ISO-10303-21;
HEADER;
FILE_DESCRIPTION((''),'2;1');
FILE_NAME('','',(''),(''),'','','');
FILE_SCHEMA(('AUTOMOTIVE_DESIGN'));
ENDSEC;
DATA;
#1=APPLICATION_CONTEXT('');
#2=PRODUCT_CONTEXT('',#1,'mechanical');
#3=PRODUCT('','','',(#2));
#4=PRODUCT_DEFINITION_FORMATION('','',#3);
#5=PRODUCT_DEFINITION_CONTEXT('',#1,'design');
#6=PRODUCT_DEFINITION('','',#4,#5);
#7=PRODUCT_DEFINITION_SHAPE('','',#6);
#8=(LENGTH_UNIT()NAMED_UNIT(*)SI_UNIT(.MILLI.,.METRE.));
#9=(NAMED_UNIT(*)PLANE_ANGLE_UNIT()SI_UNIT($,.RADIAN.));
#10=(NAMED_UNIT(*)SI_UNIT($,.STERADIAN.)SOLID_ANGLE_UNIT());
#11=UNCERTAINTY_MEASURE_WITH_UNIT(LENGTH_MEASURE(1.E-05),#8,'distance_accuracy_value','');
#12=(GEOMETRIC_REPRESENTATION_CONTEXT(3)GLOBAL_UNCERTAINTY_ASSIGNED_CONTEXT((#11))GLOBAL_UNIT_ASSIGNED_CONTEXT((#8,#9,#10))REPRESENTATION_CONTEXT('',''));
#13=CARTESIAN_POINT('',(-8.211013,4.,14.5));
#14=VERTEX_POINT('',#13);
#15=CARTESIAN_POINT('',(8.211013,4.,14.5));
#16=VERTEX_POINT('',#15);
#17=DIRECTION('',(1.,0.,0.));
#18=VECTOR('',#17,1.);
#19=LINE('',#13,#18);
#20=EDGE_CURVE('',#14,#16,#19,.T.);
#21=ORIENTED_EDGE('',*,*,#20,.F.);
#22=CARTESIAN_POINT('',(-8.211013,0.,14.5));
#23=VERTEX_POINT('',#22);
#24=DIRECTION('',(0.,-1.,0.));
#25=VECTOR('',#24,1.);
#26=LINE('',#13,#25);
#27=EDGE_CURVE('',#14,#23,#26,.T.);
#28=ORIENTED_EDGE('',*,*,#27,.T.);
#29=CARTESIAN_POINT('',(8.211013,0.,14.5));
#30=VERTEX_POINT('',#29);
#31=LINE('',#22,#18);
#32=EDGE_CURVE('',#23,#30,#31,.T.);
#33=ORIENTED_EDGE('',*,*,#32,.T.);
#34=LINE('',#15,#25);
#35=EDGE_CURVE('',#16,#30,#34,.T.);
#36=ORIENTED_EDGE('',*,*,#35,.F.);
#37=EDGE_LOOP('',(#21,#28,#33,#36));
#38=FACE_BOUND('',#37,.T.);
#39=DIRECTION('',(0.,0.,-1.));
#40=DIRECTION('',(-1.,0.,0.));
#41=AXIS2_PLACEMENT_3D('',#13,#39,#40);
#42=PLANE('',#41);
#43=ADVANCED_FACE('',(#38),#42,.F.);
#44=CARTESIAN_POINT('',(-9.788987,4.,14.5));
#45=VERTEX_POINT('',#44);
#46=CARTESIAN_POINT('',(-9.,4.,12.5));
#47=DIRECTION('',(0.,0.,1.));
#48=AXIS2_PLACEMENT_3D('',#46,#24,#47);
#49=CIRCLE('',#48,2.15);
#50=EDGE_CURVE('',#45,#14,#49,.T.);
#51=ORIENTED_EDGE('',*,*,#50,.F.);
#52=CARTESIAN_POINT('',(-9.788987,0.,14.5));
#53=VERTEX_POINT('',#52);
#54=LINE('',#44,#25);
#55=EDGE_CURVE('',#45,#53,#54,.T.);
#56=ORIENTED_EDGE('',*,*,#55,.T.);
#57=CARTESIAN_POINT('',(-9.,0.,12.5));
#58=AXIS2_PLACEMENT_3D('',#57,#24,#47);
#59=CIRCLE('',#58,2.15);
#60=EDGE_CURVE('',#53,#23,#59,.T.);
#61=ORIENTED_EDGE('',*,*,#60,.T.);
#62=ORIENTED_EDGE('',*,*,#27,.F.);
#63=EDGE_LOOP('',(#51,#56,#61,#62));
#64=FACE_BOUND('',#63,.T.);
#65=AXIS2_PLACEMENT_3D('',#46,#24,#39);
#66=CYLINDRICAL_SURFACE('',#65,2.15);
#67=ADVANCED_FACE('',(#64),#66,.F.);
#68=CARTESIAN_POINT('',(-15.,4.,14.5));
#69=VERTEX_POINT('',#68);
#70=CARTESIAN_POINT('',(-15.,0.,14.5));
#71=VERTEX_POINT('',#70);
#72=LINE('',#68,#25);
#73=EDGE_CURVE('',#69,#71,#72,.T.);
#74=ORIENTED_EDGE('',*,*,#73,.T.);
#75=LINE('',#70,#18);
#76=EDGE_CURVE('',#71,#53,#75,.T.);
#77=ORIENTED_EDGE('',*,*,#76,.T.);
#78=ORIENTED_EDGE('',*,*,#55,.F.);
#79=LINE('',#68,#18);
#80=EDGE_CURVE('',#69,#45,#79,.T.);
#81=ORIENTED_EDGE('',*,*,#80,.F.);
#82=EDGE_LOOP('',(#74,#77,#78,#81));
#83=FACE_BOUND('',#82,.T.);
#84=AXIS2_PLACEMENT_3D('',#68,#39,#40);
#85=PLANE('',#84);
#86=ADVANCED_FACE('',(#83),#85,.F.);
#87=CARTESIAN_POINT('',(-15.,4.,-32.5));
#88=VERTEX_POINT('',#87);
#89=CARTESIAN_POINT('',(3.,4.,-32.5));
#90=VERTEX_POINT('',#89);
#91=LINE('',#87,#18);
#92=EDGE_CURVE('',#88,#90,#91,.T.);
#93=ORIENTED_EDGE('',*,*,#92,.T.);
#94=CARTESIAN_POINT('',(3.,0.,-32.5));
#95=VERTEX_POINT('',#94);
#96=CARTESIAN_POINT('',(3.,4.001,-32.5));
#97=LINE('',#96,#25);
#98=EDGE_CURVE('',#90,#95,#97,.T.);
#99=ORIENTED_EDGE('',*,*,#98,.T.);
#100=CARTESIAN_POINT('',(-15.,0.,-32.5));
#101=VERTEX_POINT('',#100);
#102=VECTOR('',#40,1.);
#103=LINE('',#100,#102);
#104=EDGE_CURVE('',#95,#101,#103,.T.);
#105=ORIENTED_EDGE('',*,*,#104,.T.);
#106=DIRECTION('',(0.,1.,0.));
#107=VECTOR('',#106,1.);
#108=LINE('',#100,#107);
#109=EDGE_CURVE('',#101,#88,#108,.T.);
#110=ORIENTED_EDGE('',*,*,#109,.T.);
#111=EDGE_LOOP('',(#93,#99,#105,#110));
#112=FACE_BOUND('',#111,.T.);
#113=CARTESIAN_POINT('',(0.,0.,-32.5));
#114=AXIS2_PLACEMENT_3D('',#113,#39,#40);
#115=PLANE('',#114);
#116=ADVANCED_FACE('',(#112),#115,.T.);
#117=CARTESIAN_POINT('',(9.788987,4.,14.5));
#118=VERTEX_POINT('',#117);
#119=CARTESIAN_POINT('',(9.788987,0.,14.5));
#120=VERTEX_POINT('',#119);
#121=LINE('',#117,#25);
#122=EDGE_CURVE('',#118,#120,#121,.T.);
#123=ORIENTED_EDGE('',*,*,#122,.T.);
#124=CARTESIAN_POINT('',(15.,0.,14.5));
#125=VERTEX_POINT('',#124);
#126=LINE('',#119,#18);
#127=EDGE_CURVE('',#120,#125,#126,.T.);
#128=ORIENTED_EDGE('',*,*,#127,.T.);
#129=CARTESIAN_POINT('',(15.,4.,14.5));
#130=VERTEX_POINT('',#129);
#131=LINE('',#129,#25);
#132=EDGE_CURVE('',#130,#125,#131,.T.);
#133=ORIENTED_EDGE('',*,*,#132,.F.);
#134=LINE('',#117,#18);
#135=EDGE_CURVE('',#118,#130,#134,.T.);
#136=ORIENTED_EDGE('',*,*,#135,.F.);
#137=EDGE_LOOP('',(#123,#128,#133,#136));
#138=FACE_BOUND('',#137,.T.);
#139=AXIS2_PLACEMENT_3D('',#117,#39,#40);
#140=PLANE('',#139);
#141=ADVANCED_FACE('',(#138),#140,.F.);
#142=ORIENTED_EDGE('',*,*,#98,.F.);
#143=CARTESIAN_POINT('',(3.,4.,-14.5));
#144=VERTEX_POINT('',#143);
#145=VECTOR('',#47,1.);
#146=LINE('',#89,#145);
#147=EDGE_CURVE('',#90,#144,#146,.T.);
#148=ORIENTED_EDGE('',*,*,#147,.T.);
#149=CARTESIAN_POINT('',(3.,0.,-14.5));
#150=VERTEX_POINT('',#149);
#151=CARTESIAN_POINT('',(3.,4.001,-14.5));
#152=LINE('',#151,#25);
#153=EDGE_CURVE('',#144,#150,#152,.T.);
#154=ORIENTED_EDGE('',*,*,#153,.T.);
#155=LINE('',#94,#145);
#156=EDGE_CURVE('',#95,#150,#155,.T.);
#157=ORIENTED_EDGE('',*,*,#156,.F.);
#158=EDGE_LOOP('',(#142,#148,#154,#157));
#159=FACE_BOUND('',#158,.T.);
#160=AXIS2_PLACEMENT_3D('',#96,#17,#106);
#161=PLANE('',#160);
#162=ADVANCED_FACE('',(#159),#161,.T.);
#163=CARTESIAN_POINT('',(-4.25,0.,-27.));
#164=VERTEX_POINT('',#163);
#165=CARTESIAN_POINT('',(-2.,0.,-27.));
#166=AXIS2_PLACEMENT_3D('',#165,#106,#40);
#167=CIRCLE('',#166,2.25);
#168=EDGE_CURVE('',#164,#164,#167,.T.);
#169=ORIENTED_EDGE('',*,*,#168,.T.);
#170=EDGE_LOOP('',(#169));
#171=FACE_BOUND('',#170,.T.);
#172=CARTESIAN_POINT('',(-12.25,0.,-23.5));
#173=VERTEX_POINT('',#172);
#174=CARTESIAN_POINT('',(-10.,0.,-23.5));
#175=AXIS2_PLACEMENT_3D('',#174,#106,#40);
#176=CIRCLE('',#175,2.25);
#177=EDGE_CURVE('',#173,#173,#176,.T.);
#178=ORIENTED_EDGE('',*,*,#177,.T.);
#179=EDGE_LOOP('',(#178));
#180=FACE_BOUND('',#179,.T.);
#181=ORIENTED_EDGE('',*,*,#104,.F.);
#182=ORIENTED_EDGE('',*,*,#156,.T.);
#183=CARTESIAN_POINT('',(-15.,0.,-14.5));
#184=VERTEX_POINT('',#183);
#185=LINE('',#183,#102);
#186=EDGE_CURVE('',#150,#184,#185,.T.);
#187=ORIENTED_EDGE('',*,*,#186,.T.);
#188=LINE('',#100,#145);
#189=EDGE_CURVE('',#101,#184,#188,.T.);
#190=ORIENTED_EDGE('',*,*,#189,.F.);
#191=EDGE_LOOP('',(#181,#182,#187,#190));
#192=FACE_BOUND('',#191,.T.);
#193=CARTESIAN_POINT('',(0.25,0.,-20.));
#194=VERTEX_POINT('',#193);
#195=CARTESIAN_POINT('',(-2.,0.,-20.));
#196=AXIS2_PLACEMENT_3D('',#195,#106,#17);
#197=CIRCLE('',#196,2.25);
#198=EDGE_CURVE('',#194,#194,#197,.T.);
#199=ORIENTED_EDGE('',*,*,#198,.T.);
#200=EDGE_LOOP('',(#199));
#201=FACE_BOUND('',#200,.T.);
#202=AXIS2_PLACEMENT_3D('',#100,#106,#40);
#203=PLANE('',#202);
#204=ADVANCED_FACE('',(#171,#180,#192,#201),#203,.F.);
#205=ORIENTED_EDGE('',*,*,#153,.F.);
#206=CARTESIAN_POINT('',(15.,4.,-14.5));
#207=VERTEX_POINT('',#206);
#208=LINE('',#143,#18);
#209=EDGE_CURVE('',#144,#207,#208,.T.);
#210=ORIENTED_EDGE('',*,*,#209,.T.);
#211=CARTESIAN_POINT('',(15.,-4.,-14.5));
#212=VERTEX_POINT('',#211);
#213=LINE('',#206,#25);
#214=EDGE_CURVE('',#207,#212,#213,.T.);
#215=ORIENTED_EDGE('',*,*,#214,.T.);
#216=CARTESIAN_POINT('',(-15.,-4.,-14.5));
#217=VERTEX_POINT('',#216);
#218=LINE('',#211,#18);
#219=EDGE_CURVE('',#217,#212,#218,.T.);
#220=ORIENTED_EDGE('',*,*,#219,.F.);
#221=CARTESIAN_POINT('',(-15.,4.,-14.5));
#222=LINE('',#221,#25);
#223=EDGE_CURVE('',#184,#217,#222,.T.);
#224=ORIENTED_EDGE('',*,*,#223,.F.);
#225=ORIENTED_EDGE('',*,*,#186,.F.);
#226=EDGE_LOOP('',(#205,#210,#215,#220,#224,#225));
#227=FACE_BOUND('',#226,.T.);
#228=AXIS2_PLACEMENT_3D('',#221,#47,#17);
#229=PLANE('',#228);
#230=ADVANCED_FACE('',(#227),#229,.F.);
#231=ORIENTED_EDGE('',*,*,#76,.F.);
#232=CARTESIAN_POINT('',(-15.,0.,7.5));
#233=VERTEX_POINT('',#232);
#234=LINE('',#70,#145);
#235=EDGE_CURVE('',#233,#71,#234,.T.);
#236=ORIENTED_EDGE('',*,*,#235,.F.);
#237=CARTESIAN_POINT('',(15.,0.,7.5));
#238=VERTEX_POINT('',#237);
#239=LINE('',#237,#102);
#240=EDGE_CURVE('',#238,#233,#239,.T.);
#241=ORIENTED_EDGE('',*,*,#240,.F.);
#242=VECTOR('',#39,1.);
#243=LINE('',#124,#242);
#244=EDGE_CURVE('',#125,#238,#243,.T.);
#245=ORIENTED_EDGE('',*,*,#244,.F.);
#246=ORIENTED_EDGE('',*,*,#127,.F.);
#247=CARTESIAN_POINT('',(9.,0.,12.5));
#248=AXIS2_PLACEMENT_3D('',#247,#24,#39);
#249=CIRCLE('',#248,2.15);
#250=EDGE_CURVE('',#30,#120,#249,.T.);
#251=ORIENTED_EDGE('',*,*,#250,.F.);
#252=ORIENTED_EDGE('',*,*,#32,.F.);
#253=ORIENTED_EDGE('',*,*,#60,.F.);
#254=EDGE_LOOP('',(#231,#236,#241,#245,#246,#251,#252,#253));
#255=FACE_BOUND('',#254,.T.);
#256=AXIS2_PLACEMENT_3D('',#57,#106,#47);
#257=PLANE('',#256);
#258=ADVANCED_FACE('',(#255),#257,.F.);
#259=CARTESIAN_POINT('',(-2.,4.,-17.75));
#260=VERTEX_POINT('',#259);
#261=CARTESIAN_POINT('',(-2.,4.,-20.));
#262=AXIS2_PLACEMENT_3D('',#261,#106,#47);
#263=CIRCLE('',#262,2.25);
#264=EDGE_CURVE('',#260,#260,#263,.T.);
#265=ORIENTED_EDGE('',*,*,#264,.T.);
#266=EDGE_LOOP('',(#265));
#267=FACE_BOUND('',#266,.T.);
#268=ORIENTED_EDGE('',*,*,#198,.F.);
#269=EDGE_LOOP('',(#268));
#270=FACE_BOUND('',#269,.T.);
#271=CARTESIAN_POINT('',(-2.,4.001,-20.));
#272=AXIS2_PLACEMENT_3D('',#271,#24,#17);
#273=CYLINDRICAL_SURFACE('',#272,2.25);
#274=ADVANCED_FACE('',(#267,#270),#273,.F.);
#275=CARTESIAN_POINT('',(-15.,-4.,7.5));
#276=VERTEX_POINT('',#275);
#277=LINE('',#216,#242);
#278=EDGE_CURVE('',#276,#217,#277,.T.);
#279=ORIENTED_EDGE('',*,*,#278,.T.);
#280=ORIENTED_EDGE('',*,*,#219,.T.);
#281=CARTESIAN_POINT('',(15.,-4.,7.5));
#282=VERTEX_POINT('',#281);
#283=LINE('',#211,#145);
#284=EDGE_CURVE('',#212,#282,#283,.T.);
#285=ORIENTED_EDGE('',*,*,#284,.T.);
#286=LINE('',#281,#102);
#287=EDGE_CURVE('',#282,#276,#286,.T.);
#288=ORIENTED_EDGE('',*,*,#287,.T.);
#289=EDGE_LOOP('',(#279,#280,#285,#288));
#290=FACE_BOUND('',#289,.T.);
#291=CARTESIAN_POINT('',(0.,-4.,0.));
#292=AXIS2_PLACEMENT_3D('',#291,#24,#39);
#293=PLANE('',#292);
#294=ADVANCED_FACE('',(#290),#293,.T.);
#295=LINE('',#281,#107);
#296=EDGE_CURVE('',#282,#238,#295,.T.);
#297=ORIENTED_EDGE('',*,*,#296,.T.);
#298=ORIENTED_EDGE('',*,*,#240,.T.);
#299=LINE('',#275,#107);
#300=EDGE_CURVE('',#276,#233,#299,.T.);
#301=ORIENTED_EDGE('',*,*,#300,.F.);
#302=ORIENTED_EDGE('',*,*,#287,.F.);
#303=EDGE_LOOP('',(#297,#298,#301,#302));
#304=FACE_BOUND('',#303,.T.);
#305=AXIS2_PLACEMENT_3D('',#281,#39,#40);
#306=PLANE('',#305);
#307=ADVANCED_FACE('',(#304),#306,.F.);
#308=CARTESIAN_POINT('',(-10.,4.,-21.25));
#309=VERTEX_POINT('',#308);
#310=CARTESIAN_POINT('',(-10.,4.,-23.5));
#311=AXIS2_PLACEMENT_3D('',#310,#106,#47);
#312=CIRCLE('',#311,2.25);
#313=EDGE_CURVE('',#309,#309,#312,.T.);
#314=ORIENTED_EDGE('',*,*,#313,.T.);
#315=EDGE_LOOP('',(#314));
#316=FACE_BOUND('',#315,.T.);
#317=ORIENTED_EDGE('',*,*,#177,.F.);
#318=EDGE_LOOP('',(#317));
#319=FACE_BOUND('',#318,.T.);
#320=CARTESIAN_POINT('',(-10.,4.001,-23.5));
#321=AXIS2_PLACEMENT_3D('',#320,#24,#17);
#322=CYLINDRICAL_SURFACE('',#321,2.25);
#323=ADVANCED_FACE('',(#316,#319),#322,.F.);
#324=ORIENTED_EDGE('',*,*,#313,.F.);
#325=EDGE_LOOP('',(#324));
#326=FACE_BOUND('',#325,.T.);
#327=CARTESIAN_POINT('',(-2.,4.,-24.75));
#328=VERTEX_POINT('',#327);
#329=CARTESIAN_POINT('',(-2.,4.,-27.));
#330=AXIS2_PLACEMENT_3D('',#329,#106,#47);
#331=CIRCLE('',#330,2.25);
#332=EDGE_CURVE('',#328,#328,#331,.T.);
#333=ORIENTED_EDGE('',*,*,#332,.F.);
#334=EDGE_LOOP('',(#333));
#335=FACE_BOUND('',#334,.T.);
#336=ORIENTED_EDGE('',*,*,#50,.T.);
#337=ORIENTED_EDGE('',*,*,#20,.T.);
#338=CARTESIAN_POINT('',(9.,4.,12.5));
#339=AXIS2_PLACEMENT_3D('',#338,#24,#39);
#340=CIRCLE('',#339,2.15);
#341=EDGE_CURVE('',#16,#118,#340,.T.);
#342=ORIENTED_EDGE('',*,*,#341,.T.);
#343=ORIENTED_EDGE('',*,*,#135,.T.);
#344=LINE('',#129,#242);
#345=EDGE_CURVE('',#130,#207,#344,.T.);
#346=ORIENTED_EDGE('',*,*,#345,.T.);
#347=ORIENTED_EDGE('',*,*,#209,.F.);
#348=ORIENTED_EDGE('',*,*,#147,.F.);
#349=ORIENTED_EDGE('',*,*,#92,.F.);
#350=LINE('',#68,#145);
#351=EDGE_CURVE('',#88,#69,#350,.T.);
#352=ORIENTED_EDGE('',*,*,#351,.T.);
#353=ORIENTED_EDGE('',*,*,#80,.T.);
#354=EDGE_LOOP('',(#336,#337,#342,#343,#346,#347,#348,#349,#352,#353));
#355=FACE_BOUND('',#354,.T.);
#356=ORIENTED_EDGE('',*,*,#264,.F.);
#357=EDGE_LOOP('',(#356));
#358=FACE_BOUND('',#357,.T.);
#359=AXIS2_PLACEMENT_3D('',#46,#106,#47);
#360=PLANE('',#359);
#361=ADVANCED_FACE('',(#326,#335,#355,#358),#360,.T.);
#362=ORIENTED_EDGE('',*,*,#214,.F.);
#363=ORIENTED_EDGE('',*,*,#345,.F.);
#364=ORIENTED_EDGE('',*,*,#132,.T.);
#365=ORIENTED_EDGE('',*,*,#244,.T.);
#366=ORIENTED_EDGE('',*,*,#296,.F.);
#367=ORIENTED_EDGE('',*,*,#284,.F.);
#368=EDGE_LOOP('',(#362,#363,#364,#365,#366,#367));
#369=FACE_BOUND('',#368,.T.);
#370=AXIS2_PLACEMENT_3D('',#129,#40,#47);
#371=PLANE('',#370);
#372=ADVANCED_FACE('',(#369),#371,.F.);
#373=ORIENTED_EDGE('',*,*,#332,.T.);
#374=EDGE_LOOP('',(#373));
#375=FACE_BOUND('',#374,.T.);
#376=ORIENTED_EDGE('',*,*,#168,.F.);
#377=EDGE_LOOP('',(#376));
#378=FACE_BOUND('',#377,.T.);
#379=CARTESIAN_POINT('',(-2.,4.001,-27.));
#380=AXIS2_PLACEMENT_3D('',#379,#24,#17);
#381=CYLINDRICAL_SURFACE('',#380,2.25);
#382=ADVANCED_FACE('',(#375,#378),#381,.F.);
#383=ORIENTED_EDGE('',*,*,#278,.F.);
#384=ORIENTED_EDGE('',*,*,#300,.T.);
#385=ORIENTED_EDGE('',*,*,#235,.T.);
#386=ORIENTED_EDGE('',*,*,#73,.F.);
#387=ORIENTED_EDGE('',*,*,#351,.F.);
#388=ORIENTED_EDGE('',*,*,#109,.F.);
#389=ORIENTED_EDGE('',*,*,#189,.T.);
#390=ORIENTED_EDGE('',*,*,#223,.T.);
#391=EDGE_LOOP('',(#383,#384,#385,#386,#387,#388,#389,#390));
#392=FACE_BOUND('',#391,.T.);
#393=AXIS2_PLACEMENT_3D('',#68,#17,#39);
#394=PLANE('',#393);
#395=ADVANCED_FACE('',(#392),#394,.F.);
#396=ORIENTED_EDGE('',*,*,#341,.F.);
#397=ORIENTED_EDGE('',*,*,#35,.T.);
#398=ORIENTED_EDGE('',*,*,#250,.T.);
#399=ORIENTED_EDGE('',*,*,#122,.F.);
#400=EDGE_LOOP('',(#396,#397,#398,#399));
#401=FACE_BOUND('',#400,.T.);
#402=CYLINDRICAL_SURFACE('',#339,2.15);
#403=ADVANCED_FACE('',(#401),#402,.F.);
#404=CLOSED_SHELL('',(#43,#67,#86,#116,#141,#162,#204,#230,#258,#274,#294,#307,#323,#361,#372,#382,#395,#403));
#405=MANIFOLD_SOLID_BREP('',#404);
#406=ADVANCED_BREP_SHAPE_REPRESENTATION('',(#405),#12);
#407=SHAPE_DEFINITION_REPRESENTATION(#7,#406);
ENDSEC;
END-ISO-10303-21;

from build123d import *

# Parameters (mm, degrees)
BOSS_EXTRUDE1_DEPTH = 4
SKETCH2_W           = 30
SKETCH2_H           = 22
BOSS_EXTRUDE2_DEPTH = 4
SKETCH3_W           = 30
SKETCH3_H           = 4
BOSS_EXTRUDE3_DEPTH = 18
CUT_EXTRUDE1_REACH  = 6
SKETCH4_R           = 2.25
CUT_EXTRUDE2_REACH  = 6
SKETCH5_W           = 12
SKETCH5_H           = 18


with BuildPart() as part:
    # Sketch1 → Boss-Extrude1 (new body)
    with BuildSketch(Plane(origin=(0, 0, 0), x_dir=(1, 0, 0), z_dir=(0, 1, 0))):
        with BuildLine():
            Line((-15, -14.5), (-9.788986692, -14.5))
            ThreePointArc((-9.788986692, -14.5), (-9, -10.35), (-8.211013308, -14.5))
            Line((-8.211013308, -14.5), (8.211013308, -14.5))
            ThreePointArc((8.211013308, -14.5), (9, -10.35), (9.788986692, -14.5))
            Line((9.788986692, -14.5), (15, -14.5))
            Line((15, -14.5), (15, 14.5))
            Line((15, 14.5), (-15, 14.5))
            Line((-15, 14.5), (-15, -14.5))
        make_face()
    extrude(amount=BOSS_EXTRUDE1_DEPTH)

    # Sketch2 → Boss-Extrude2 (add)
    with BuildSketch(Plane.XZ):
        with Locations((0, -3.5)):
            Rectangle(SKETCH2_W, SKETCH2_H)
    extrude(amount=BOSS_EXTRUDE2_DEPTH)

    # Sketch3 → Boss-Extrude3 (add)
    with BuildSketch(Plane(origin=(0, 0, -14.5), x_dir=(-1, 0, 0), z_dir=(0, 0, -1))):
        with Locations((0, 2)):
            Rectangle(SKETCH3_W, SKETCH3_H)
    extrude(amount=BOSS_EXTRUDE3_DEPTH)

    # Sketch4 → Cut-Extrude1 (cut, up to next)
    with BuildSketch(Plane(origin=(0, 0, 0), x_dir=(-1, 0, 0), z_dir=(0, 1, 0)), mode=Mode.PRIVATE) as cut_extrude1_sk1:
        with Locations((2, -27)):
            Circle(SKETCH4_R)
    cut_extrude1_tool1 = extrude(cut_extrude1_sk1.sketch, amount=CUT_EXTRUDE1_REACH, mode=Mode.PRIVATE) & part.part
    add(cut_extrude1_tool1.solids().sort_by_distance((-2, 0, -27))[0], mode=Mode.SUBTRACT)
    # Sketch4 → Cut-Extrude1 (cut, up to next)
    with BuildSketch(Plane(origin=(0, 0, 0), x_dir=(-1, 0, 0), z_dir=(0, 1, 0)), mode=Mode.PRIVATE) as cut_extrude1_sk2:
        with Locations((10, -23.5)):
            Circle(SKETCH4_R)
    cut_extrude1_tool2 = extrude(cut_extrude1_sk2.sketch, amount=CUT_EXTRUDE1_REACH, mode=Mode.PRIVATE) & part.part
    add(cut_extrude1_tool2.solids().sort_by_distance((-10, 0, -23.5))[0], mode=Mode.SUBTRACT)
    # Sketch4 → Cut-Extrude1 (cut, up to next)
    with BuildSketch(Plane(origin=(0, 0, 0), x_dir=(-1, 0, 0), z_dir=(0, 1, 0)), mode=Mode.PRIVATE) as cut_extrude1_sk3:
        with Locations((2, -20)):
            Circle(SKETCH4_R)
    cut_extrude1_tool3 = extrude(cut_extrude1_sk3.sketch, amount=CUT_EXTRUDE1_REACH, mode=Mode.PRIVATE) & part.part
    add(cut_extrude1_tool3.solids().sort_by_distance((-2, 0, -20))[0], mode=Mode.SUBTRACT)

    # Sketch5 → Cut-Extrude2 (cut, up to next)
    with BuildSketch(Plane(origin=(0, 0, 0), x_dir=(1, 0, 0), z_dir=(0, 1, 0)), mode=Mode.PRIVATE) as cut_extrude2_sk1:
        with Locations((9, 23.5)):
            Rectangle(SKETCH5_W, SKETCH5_H)
    cut_extrude2_tool1 = extrude(cut_extrude2_sk1.sketch, amount=CUT_EXTRUDE2_REACH, mode=Mode.PRIVATE) & part.part
    add(cut_extrude2_tool1.solids().sort_by_distance((9, 0, -23.5))[0], mode=Mode.SUBTRACT)


solid = part.part
